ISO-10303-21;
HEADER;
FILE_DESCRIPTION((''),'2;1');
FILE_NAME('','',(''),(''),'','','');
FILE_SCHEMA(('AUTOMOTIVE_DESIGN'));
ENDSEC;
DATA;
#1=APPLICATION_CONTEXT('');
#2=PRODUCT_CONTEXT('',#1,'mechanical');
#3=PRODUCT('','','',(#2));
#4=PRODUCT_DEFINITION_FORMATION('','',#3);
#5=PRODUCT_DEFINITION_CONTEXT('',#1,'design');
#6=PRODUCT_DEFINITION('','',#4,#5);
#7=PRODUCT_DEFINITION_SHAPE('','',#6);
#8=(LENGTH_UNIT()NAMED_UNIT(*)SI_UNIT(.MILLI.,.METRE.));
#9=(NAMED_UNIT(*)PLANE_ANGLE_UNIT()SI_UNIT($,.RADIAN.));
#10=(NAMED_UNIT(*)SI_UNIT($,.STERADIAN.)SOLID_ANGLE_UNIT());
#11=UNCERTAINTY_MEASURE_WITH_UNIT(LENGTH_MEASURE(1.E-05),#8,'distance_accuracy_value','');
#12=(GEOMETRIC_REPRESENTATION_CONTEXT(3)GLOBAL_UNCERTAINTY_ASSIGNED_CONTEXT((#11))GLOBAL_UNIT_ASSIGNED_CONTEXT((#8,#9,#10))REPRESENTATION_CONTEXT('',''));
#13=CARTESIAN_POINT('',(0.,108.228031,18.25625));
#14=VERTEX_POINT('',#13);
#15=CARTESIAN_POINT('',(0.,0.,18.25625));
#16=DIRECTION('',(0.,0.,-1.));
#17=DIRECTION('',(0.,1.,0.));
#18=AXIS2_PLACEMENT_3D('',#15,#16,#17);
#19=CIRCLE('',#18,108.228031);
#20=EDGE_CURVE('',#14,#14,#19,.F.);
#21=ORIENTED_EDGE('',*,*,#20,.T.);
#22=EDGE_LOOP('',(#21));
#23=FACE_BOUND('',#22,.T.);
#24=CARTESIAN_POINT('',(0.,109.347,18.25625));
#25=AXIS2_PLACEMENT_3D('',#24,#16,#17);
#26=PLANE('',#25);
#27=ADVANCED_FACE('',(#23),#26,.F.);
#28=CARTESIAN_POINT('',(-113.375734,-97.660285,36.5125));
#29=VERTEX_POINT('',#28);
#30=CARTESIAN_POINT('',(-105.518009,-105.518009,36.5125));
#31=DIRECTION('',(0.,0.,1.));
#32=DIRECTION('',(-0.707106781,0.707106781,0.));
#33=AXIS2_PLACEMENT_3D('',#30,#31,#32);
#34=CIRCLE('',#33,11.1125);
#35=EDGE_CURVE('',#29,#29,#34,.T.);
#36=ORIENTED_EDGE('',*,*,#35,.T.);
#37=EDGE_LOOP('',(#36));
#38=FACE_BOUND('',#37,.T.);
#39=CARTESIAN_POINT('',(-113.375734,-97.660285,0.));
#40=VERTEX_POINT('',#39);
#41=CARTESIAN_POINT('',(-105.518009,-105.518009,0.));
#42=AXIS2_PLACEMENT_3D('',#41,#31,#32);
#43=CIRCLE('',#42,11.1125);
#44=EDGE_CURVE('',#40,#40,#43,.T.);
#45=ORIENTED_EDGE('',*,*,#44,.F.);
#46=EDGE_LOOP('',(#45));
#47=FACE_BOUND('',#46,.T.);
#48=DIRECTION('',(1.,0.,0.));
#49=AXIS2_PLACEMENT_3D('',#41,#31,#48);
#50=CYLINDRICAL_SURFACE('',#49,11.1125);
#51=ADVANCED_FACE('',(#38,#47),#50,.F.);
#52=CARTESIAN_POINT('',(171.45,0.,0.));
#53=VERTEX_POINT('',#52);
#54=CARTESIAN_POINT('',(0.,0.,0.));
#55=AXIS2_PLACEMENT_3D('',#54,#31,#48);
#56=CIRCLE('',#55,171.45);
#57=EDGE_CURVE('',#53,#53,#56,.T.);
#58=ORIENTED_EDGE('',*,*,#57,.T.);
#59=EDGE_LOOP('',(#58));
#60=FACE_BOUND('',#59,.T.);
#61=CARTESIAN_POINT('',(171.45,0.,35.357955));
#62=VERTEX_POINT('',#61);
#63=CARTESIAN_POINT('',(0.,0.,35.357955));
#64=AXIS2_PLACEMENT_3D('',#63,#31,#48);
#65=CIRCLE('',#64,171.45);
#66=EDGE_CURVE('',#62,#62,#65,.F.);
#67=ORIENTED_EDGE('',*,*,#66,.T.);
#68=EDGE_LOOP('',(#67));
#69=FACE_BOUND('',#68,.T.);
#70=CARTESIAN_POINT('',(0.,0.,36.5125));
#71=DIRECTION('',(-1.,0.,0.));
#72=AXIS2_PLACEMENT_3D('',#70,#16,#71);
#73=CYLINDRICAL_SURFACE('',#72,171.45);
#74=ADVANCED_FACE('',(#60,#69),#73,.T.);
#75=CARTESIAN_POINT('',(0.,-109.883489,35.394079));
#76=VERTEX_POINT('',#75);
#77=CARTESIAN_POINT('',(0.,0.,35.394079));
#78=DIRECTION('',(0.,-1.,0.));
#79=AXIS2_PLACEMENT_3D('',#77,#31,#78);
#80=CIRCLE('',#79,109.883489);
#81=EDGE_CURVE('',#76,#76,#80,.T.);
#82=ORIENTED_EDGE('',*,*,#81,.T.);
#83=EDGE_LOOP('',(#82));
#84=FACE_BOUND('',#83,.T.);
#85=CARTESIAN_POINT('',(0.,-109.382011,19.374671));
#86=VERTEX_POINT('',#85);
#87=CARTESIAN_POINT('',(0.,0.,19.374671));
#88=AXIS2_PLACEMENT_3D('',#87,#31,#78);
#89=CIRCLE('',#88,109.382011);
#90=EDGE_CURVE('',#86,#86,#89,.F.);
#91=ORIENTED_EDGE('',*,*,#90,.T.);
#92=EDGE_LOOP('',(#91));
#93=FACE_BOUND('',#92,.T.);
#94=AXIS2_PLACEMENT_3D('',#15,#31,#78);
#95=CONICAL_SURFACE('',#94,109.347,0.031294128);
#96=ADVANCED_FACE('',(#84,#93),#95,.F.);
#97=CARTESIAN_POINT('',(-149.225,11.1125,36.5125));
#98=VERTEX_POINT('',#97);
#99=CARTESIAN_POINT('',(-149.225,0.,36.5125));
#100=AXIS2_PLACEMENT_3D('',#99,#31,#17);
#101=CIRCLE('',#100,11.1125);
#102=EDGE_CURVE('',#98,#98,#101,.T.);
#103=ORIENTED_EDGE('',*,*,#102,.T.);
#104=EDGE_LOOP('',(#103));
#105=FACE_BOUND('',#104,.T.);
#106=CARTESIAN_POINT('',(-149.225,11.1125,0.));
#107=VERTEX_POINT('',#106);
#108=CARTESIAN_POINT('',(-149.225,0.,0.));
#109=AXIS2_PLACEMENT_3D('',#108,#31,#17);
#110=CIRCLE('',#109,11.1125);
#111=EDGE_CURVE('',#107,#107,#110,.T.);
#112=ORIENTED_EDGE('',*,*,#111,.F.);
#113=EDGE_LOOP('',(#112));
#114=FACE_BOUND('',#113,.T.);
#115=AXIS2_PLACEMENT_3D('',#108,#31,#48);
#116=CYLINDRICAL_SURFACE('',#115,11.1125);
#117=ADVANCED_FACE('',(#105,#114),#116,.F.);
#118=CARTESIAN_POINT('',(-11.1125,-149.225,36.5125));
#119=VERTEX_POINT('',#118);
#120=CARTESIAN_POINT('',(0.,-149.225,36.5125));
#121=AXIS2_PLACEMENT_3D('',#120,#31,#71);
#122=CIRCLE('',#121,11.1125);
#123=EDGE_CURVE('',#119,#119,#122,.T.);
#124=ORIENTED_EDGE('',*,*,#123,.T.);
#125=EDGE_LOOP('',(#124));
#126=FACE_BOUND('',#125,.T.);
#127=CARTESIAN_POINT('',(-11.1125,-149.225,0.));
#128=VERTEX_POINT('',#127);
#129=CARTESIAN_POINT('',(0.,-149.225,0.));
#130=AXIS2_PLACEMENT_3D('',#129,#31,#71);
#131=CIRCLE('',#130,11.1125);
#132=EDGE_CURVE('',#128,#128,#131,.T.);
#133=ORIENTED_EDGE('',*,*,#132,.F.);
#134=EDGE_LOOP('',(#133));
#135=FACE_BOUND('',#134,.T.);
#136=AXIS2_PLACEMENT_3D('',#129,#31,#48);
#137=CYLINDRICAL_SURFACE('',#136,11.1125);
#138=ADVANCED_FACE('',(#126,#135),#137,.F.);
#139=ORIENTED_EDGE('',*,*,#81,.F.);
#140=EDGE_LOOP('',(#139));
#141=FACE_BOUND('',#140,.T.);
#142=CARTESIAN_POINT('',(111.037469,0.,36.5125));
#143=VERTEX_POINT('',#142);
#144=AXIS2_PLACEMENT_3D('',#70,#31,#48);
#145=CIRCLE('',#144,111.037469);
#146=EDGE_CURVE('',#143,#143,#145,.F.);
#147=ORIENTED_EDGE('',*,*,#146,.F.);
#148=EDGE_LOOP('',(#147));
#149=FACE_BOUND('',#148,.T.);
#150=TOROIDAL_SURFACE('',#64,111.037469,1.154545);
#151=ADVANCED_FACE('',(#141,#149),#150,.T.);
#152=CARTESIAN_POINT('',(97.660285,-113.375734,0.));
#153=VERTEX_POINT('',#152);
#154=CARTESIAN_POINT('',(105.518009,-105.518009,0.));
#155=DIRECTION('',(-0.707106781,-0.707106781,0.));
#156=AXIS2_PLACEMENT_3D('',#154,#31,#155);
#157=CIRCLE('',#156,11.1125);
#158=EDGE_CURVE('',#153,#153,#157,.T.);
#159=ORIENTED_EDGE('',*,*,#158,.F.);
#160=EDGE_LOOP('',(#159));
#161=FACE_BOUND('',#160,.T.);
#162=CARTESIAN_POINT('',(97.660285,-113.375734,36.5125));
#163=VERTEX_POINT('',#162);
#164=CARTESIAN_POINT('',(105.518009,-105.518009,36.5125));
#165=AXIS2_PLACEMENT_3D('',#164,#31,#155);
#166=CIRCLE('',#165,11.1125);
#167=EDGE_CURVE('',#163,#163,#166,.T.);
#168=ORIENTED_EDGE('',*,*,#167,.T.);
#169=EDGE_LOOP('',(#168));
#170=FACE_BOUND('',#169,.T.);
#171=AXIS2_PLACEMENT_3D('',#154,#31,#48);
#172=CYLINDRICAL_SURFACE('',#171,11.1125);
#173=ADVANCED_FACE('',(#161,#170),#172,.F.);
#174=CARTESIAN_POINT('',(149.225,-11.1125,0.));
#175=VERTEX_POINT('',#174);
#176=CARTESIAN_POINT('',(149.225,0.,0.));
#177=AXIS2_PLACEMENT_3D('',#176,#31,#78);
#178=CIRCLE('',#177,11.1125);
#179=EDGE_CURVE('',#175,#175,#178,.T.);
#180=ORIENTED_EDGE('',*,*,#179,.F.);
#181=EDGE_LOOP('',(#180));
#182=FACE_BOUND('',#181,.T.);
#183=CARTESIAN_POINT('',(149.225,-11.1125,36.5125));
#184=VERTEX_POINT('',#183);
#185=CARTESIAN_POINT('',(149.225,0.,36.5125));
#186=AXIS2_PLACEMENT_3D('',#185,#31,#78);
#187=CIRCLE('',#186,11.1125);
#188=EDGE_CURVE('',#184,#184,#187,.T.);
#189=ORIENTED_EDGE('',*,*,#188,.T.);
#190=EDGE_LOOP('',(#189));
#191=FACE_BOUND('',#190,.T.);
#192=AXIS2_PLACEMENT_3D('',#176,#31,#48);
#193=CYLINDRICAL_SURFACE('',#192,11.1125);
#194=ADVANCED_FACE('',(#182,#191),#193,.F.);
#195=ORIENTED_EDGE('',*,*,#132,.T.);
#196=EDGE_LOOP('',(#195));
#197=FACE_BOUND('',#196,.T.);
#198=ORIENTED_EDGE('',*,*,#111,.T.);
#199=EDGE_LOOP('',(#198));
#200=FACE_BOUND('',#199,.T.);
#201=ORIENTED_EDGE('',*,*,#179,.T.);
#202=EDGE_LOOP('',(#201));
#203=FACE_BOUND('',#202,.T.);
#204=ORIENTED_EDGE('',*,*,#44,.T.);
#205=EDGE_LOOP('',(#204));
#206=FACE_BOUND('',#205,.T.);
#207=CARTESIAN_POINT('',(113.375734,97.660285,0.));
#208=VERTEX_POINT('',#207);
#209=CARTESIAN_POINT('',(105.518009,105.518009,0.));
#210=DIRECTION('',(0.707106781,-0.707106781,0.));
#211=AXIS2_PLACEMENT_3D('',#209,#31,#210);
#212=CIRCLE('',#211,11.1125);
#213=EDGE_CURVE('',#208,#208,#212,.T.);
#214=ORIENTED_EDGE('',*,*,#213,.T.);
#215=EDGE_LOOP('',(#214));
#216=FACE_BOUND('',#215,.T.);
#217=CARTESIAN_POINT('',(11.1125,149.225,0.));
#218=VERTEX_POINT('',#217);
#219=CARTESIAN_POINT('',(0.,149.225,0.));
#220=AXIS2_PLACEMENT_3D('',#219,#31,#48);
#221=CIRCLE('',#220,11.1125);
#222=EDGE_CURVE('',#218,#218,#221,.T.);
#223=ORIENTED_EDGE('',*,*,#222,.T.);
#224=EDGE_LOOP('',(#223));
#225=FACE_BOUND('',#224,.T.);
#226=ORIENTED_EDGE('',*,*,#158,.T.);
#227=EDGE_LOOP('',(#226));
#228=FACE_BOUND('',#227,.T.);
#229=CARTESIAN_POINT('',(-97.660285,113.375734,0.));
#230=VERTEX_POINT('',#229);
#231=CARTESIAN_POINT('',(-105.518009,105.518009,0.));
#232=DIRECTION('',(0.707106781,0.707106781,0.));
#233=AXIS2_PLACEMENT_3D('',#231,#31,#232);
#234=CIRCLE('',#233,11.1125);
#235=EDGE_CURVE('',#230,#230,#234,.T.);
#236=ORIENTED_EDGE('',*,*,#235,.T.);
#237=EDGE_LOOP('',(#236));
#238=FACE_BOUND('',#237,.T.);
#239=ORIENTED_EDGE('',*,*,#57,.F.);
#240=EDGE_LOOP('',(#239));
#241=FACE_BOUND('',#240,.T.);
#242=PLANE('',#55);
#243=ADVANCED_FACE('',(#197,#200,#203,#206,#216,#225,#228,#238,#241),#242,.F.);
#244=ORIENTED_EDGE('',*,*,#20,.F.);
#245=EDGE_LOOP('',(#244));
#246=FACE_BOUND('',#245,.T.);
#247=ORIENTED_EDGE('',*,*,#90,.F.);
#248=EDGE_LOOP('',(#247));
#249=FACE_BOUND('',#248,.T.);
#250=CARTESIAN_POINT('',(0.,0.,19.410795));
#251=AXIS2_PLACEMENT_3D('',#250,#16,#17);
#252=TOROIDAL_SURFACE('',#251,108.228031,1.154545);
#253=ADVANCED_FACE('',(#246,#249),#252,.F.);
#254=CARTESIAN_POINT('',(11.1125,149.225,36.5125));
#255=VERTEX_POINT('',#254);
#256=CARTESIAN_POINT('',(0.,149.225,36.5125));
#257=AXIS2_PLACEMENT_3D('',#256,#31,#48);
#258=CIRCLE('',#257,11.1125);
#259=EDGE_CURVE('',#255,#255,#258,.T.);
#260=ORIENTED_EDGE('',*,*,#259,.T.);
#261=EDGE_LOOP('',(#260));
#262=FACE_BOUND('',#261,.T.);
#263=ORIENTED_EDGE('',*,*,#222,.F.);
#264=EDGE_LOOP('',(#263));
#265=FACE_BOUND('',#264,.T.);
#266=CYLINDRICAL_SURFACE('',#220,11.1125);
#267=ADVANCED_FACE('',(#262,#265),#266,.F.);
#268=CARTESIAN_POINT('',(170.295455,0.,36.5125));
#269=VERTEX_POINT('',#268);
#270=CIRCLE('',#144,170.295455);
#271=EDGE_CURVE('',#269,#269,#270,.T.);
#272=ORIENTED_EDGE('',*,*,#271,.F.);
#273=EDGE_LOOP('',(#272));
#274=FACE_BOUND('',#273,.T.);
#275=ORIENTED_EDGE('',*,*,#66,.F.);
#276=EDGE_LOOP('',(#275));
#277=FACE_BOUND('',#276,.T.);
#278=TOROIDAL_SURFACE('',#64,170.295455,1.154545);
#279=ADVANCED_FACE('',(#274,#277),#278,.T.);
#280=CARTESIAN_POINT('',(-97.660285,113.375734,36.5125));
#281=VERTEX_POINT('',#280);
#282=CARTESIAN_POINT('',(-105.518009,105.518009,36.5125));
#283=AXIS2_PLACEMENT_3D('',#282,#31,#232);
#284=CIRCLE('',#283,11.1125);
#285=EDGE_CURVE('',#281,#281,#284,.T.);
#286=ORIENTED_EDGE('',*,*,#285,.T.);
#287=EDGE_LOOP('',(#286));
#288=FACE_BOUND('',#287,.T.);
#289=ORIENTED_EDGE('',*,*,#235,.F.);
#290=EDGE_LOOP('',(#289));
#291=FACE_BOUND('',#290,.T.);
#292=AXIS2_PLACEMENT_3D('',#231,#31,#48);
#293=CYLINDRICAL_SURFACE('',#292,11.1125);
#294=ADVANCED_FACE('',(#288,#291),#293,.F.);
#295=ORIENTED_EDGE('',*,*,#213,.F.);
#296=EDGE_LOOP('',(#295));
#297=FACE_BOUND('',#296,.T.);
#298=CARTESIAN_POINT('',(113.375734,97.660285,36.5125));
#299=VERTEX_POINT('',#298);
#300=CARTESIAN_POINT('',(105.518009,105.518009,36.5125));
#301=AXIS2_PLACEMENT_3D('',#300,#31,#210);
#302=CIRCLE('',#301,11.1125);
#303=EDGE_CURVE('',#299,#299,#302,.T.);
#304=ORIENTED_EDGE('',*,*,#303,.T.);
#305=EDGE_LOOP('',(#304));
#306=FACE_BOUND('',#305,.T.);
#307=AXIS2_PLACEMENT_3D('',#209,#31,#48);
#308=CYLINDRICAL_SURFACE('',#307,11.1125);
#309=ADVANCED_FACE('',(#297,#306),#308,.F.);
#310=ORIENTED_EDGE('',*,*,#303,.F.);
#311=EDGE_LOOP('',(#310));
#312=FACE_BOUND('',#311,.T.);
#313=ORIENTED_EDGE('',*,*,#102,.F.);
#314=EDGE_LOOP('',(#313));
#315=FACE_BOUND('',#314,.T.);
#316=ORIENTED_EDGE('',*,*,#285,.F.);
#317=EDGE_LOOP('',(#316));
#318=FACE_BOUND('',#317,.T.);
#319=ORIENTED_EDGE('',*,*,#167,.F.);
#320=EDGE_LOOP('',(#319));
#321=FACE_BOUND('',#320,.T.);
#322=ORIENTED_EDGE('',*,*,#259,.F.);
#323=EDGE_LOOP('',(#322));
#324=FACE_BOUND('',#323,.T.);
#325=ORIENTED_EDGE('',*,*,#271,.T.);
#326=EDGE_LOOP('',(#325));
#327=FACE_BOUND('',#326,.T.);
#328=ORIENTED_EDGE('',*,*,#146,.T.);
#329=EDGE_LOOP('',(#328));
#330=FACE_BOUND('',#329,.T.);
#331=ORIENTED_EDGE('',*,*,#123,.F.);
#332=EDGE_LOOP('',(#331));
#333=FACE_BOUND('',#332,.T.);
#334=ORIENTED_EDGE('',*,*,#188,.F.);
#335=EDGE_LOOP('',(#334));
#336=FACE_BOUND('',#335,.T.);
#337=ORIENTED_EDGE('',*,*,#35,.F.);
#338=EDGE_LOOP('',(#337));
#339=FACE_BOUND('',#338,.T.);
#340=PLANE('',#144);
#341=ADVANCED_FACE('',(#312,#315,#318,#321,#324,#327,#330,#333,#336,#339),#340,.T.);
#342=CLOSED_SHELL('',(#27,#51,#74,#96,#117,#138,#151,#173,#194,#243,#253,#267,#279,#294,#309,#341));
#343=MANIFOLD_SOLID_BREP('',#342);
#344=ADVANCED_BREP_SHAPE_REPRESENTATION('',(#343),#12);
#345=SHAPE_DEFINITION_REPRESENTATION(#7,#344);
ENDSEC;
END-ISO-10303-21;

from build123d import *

# Parameters (mm, degrees)
SKETCH1_R         = 171.45
EXTRUDE1_DEPTH    = 36.5125
SKETCH2_R         = 11.1125
EXTRUDE2_DEPTH    = 246.20066814
CIRPATTERN1_COUNT = 8
FILLET1_R         = 1.154545455


with BuildPart() as part:
    # Sketch1 → Extrude1 (new body)
    with BuildSketch(Plane.XY):
        Circle(SKETCH1_R)
    extrude(amount=EXTRUDE1_DEPTH)

    # Sketch2 → Extrude2 (cut, through all)
    with BuildSketch(Plane.XY.offset(36.5125)):
        with Locations((0, 149.225)):
            Circle(SKETCH2_R)
    extrude2 = extrude(amount=-EXTRUDE2_DEPTH, mode=Mode.SUBTRACT)

    # CirPattern1: Extrude2 ×8 about axis
    cirpattern1_axis = Axis((0, 0, 0), (0, 0, 1))
    for i in range(1, CIRPATTERN1_COUNT):
        add(extrude2.rotate(cirpattern1_axis, i * 360 / CIRPATTERN1_COUNT), mode=Mode.SUBTRACT)

    # Sketch3 → Cut-Revolve1 (revolve, cut)
    with BuildSketch(Plane(origin=(0, 0, 0), x_dir=(0, 0, -1), z_dir=(1, 0, 0))):
        Polygon((-36.5125, 109.9185), (-18.25625, 109.347), (-18.25625, 0), (-36.5125, 0), align=None)
    revolve(axis=Axis((0, 0, 18.25625), (0, 0, 1)), mode=Mode.SUBTRACT)

    # Fillet1
    fillet1_edges = [part.edges().sort_by_distance(p)[0] for p in [
        (0, -109.347, 18.25625),
        (0, -109.9185, 36.5125),
        (-171.45, 0, 36.5125),
    ]]
    fillet(fillet1_edges, radius=FILLET1_R)


solid = part.part
